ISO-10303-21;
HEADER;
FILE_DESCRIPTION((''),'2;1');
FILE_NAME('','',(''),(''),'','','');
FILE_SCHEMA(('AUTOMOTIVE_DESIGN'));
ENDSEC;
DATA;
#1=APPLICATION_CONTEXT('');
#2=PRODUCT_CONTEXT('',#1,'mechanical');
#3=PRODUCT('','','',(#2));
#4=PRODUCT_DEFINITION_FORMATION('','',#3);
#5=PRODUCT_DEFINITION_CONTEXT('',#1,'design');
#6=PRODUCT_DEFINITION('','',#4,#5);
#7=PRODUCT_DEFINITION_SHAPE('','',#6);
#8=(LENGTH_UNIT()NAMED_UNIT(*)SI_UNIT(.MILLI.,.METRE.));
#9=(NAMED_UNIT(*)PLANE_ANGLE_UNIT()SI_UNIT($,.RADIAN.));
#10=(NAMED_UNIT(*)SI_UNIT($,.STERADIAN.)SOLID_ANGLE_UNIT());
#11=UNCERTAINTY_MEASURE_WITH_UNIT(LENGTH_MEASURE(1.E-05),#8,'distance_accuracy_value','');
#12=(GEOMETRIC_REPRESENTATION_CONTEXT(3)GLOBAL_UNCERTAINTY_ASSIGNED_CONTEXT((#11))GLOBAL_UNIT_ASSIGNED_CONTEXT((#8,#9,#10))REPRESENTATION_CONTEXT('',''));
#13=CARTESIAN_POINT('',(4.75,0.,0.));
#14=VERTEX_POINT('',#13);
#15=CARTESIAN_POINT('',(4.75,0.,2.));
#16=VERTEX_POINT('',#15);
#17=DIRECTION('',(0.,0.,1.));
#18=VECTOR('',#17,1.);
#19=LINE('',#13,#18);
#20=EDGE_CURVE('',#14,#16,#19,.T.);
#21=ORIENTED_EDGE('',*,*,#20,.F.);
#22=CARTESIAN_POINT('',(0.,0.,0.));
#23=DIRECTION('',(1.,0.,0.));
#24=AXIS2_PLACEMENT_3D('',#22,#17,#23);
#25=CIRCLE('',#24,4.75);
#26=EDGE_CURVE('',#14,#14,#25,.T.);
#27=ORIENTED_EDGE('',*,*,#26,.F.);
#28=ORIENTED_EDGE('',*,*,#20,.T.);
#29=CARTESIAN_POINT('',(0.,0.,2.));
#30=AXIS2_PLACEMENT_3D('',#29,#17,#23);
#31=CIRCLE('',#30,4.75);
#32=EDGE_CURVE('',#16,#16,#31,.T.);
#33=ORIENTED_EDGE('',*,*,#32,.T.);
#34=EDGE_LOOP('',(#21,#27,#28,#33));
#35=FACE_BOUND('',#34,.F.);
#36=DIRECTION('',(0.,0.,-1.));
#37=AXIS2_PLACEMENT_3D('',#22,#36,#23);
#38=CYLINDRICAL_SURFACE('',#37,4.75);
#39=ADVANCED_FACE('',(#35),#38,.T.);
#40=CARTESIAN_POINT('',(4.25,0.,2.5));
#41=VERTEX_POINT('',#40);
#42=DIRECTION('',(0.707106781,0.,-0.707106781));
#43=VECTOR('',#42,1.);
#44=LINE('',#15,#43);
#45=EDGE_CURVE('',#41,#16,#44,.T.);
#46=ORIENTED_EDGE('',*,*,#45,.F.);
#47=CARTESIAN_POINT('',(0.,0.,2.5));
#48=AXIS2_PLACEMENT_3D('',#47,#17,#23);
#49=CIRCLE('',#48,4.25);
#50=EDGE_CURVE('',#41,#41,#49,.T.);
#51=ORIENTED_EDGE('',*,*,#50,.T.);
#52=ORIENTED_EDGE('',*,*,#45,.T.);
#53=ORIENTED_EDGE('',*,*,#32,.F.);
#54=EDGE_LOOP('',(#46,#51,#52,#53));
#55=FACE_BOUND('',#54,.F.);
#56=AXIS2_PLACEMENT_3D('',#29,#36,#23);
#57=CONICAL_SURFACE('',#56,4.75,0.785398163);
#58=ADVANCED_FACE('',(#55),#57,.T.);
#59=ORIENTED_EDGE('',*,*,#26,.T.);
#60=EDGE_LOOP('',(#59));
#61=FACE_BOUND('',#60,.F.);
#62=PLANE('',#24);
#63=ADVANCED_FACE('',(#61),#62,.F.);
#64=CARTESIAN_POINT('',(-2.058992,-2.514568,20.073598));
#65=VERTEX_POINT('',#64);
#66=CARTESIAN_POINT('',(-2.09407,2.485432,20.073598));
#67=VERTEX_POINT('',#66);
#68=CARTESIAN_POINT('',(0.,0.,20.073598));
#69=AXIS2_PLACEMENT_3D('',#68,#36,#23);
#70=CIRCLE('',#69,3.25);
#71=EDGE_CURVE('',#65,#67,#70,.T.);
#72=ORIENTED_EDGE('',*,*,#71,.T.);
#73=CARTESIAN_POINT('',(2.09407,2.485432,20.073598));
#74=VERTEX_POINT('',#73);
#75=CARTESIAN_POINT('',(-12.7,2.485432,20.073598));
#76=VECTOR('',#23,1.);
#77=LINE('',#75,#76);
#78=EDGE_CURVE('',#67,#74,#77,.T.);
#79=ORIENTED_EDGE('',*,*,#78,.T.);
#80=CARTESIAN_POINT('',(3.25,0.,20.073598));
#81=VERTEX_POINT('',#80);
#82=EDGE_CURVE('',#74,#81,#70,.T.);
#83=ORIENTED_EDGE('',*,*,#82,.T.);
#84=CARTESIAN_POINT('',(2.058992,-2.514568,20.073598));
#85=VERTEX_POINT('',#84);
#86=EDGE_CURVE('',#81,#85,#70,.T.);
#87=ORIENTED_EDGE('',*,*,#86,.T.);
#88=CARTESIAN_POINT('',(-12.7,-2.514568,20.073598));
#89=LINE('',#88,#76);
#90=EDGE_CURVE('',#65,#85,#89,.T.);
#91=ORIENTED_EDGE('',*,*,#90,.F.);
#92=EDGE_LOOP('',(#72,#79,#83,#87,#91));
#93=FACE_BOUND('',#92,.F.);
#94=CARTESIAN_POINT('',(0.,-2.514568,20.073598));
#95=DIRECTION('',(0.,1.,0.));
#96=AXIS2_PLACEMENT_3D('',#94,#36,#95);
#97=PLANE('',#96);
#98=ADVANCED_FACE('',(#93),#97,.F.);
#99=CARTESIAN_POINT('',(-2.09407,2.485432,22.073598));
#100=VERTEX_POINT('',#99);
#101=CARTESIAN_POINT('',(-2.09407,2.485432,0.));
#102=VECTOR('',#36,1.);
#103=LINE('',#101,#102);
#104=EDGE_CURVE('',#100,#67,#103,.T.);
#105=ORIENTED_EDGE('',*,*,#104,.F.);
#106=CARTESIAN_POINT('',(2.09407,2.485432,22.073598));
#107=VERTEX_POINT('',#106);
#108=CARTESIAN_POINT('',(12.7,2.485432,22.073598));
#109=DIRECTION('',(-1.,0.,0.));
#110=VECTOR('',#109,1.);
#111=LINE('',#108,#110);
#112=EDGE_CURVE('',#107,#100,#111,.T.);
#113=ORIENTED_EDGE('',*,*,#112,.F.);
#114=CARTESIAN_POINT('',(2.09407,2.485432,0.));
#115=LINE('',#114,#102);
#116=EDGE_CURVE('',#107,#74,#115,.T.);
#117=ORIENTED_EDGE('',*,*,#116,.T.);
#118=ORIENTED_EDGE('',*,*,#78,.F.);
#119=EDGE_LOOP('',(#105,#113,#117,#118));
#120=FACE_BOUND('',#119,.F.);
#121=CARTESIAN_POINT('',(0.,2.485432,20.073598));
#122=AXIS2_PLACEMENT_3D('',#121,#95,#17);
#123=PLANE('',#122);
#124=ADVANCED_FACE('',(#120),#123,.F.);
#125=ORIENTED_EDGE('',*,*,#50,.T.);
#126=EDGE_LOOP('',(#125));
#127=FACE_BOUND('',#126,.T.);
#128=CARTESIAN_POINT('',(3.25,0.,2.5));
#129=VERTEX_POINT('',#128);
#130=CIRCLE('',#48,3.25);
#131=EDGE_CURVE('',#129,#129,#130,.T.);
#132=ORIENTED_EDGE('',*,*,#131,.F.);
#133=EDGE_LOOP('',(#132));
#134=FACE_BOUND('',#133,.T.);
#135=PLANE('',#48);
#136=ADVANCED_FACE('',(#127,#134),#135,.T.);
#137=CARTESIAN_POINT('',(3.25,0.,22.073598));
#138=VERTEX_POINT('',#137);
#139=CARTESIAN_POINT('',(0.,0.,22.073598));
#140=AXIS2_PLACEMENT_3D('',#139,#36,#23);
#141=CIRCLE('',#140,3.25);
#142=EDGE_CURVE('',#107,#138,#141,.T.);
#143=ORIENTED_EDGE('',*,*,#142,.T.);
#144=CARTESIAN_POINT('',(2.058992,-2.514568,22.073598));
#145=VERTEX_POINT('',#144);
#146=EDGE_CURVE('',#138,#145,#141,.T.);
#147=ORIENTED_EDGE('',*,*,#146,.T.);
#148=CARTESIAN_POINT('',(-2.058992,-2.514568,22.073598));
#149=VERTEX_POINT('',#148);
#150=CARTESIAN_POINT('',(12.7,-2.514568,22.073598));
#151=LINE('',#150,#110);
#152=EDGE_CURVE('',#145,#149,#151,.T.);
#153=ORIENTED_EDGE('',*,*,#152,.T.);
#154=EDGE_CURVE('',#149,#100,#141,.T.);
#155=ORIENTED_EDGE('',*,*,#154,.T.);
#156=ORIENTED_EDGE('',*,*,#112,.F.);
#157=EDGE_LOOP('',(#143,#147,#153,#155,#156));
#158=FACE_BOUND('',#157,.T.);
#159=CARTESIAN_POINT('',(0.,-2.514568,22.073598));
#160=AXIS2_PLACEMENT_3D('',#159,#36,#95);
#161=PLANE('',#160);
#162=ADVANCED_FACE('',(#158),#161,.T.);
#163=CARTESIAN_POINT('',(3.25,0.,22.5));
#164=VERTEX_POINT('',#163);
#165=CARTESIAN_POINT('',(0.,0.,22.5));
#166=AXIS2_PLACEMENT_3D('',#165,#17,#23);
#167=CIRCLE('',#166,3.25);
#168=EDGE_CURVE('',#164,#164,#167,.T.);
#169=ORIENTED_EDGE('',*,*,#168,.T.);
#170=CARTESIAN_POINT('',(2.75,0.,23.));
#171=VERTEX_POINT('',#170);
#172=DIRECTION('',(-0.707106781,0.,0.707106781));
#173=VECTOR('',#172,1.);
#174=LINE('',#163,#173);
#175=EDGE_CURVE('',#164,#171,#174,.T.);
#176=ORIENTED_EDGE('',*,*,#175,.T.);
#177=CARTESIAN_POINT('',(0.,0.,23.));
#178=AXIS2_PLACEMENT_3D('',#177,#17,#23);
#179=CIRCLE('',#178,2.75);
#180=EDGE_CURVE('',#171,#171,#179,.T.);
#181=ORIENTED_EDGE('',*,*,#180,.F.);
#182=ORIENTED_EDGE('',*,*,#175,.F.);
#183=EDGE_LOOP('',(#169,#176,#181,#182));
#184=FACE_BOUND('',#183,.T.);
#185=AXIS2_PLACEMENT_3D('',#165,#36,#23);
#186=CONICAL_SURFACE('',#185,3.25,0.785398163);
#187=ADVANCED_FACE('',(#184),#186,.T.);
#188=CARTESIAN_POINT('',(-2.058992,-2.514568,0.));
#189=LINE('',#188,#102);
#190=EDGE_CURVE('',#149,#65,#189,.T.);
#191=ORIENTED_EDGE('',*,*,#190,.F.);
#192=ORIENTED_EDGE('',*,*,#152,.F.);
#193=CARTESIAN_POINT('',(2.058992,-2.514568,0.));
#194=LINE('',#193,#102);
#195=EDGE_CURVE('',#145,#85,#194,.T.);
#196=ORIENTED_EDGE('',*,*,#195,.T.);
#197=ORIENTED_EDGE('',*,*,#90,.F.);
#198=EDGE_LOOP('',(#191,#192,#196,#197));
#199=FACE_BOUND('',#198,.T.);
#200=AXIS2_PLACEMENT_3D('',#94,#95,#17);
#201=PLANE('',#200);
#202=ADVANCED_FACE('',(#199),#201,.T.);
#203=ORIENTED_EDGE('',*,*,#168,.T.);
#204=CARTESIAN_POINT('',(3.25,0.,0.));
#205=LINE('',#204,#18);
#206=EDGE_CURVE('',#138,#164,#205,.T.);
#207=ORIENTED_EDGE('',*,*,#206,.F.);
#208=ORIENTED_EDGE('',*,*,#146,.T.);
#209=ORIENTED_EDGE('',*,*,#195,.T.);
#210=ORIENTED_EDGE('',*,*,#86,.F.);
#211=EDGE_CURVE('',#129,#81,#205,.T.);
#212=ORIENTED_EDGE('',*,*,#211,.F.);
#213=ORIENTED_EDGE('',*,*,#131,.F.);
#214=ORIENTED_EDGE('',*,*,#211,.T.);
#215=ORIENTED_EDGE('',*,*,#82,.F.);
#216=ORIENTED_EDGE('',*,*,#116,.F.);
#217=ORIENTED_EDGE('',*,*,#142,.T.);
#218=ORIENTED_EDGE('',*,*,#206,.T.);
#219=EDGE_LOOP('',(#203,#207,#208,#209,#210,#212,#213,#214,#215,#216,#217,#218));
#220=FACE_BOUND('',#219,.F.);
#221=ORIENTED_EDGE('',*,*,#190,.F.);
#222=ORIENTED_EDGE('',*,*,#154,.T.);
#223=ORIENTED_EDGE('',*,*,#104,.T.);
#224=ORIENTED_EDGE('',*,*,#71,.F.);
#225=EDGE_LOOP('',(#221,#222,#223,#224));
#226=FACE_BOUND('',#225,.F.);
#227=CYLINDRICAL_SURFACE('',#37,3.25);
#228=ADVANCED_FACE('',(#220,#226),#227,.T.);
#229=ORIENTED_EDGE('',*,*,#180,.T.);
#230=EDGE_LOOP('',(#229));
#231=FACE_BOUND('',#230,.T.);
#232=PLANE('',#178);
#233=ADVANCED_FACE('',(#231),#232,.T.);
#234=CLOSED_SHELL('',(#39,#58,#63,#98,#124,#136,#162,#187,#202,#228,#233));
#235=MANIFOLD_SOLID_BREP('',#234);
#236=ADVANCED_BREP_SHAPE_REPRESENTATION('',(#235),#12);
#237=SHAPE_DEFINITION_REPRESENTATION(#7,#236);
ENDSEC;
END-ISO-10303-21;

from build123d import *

# Parameters (mm, degrees)
F0_R     = 4.75
F0_R_2   = 3.25
F1_DEPTH = 2.5
F2_DEPTH = 23
F3_W     = 5
F3_H     = 2
F4_DEPTH = 12.7
F5_SIZE  = 0.5


with BuildPart() as f1:
    # F0 (on Top) → F1 (new body)
    with BuildSketch(Plane.XY):
        Circle(F0_R)
        Circle(F0_R_2, mode=Mode.SUBTRACT)
    extrude(amount=F1_DEPTH)

    # F0 (on Top) → F2 (join)
    with BuildSketch(Plane.XY):
        Circle(F0_R_2)
    extrude(amount=F2_DEPTH)

    # F3 (on Right) → F4 (cut, symmetric)
    with BuildSketch(Plane.YZ):
        with Locations((-0.014568, 21.073598)):
            Rectangle(F3_W, F3_H)
    extrude(amount=F4_DEPTH, both=True, mode=Mode.SUBTRACT)

    # F5
    f5_edges = [f1.edges().sort_by_distance(p)[0] for p in [
        (-4.75, 0, 2.5),
        (-3.25, 0, 23),
    ]]
    chamfer(f5_edges, length=F5_SIZE)


solid = f1.part
